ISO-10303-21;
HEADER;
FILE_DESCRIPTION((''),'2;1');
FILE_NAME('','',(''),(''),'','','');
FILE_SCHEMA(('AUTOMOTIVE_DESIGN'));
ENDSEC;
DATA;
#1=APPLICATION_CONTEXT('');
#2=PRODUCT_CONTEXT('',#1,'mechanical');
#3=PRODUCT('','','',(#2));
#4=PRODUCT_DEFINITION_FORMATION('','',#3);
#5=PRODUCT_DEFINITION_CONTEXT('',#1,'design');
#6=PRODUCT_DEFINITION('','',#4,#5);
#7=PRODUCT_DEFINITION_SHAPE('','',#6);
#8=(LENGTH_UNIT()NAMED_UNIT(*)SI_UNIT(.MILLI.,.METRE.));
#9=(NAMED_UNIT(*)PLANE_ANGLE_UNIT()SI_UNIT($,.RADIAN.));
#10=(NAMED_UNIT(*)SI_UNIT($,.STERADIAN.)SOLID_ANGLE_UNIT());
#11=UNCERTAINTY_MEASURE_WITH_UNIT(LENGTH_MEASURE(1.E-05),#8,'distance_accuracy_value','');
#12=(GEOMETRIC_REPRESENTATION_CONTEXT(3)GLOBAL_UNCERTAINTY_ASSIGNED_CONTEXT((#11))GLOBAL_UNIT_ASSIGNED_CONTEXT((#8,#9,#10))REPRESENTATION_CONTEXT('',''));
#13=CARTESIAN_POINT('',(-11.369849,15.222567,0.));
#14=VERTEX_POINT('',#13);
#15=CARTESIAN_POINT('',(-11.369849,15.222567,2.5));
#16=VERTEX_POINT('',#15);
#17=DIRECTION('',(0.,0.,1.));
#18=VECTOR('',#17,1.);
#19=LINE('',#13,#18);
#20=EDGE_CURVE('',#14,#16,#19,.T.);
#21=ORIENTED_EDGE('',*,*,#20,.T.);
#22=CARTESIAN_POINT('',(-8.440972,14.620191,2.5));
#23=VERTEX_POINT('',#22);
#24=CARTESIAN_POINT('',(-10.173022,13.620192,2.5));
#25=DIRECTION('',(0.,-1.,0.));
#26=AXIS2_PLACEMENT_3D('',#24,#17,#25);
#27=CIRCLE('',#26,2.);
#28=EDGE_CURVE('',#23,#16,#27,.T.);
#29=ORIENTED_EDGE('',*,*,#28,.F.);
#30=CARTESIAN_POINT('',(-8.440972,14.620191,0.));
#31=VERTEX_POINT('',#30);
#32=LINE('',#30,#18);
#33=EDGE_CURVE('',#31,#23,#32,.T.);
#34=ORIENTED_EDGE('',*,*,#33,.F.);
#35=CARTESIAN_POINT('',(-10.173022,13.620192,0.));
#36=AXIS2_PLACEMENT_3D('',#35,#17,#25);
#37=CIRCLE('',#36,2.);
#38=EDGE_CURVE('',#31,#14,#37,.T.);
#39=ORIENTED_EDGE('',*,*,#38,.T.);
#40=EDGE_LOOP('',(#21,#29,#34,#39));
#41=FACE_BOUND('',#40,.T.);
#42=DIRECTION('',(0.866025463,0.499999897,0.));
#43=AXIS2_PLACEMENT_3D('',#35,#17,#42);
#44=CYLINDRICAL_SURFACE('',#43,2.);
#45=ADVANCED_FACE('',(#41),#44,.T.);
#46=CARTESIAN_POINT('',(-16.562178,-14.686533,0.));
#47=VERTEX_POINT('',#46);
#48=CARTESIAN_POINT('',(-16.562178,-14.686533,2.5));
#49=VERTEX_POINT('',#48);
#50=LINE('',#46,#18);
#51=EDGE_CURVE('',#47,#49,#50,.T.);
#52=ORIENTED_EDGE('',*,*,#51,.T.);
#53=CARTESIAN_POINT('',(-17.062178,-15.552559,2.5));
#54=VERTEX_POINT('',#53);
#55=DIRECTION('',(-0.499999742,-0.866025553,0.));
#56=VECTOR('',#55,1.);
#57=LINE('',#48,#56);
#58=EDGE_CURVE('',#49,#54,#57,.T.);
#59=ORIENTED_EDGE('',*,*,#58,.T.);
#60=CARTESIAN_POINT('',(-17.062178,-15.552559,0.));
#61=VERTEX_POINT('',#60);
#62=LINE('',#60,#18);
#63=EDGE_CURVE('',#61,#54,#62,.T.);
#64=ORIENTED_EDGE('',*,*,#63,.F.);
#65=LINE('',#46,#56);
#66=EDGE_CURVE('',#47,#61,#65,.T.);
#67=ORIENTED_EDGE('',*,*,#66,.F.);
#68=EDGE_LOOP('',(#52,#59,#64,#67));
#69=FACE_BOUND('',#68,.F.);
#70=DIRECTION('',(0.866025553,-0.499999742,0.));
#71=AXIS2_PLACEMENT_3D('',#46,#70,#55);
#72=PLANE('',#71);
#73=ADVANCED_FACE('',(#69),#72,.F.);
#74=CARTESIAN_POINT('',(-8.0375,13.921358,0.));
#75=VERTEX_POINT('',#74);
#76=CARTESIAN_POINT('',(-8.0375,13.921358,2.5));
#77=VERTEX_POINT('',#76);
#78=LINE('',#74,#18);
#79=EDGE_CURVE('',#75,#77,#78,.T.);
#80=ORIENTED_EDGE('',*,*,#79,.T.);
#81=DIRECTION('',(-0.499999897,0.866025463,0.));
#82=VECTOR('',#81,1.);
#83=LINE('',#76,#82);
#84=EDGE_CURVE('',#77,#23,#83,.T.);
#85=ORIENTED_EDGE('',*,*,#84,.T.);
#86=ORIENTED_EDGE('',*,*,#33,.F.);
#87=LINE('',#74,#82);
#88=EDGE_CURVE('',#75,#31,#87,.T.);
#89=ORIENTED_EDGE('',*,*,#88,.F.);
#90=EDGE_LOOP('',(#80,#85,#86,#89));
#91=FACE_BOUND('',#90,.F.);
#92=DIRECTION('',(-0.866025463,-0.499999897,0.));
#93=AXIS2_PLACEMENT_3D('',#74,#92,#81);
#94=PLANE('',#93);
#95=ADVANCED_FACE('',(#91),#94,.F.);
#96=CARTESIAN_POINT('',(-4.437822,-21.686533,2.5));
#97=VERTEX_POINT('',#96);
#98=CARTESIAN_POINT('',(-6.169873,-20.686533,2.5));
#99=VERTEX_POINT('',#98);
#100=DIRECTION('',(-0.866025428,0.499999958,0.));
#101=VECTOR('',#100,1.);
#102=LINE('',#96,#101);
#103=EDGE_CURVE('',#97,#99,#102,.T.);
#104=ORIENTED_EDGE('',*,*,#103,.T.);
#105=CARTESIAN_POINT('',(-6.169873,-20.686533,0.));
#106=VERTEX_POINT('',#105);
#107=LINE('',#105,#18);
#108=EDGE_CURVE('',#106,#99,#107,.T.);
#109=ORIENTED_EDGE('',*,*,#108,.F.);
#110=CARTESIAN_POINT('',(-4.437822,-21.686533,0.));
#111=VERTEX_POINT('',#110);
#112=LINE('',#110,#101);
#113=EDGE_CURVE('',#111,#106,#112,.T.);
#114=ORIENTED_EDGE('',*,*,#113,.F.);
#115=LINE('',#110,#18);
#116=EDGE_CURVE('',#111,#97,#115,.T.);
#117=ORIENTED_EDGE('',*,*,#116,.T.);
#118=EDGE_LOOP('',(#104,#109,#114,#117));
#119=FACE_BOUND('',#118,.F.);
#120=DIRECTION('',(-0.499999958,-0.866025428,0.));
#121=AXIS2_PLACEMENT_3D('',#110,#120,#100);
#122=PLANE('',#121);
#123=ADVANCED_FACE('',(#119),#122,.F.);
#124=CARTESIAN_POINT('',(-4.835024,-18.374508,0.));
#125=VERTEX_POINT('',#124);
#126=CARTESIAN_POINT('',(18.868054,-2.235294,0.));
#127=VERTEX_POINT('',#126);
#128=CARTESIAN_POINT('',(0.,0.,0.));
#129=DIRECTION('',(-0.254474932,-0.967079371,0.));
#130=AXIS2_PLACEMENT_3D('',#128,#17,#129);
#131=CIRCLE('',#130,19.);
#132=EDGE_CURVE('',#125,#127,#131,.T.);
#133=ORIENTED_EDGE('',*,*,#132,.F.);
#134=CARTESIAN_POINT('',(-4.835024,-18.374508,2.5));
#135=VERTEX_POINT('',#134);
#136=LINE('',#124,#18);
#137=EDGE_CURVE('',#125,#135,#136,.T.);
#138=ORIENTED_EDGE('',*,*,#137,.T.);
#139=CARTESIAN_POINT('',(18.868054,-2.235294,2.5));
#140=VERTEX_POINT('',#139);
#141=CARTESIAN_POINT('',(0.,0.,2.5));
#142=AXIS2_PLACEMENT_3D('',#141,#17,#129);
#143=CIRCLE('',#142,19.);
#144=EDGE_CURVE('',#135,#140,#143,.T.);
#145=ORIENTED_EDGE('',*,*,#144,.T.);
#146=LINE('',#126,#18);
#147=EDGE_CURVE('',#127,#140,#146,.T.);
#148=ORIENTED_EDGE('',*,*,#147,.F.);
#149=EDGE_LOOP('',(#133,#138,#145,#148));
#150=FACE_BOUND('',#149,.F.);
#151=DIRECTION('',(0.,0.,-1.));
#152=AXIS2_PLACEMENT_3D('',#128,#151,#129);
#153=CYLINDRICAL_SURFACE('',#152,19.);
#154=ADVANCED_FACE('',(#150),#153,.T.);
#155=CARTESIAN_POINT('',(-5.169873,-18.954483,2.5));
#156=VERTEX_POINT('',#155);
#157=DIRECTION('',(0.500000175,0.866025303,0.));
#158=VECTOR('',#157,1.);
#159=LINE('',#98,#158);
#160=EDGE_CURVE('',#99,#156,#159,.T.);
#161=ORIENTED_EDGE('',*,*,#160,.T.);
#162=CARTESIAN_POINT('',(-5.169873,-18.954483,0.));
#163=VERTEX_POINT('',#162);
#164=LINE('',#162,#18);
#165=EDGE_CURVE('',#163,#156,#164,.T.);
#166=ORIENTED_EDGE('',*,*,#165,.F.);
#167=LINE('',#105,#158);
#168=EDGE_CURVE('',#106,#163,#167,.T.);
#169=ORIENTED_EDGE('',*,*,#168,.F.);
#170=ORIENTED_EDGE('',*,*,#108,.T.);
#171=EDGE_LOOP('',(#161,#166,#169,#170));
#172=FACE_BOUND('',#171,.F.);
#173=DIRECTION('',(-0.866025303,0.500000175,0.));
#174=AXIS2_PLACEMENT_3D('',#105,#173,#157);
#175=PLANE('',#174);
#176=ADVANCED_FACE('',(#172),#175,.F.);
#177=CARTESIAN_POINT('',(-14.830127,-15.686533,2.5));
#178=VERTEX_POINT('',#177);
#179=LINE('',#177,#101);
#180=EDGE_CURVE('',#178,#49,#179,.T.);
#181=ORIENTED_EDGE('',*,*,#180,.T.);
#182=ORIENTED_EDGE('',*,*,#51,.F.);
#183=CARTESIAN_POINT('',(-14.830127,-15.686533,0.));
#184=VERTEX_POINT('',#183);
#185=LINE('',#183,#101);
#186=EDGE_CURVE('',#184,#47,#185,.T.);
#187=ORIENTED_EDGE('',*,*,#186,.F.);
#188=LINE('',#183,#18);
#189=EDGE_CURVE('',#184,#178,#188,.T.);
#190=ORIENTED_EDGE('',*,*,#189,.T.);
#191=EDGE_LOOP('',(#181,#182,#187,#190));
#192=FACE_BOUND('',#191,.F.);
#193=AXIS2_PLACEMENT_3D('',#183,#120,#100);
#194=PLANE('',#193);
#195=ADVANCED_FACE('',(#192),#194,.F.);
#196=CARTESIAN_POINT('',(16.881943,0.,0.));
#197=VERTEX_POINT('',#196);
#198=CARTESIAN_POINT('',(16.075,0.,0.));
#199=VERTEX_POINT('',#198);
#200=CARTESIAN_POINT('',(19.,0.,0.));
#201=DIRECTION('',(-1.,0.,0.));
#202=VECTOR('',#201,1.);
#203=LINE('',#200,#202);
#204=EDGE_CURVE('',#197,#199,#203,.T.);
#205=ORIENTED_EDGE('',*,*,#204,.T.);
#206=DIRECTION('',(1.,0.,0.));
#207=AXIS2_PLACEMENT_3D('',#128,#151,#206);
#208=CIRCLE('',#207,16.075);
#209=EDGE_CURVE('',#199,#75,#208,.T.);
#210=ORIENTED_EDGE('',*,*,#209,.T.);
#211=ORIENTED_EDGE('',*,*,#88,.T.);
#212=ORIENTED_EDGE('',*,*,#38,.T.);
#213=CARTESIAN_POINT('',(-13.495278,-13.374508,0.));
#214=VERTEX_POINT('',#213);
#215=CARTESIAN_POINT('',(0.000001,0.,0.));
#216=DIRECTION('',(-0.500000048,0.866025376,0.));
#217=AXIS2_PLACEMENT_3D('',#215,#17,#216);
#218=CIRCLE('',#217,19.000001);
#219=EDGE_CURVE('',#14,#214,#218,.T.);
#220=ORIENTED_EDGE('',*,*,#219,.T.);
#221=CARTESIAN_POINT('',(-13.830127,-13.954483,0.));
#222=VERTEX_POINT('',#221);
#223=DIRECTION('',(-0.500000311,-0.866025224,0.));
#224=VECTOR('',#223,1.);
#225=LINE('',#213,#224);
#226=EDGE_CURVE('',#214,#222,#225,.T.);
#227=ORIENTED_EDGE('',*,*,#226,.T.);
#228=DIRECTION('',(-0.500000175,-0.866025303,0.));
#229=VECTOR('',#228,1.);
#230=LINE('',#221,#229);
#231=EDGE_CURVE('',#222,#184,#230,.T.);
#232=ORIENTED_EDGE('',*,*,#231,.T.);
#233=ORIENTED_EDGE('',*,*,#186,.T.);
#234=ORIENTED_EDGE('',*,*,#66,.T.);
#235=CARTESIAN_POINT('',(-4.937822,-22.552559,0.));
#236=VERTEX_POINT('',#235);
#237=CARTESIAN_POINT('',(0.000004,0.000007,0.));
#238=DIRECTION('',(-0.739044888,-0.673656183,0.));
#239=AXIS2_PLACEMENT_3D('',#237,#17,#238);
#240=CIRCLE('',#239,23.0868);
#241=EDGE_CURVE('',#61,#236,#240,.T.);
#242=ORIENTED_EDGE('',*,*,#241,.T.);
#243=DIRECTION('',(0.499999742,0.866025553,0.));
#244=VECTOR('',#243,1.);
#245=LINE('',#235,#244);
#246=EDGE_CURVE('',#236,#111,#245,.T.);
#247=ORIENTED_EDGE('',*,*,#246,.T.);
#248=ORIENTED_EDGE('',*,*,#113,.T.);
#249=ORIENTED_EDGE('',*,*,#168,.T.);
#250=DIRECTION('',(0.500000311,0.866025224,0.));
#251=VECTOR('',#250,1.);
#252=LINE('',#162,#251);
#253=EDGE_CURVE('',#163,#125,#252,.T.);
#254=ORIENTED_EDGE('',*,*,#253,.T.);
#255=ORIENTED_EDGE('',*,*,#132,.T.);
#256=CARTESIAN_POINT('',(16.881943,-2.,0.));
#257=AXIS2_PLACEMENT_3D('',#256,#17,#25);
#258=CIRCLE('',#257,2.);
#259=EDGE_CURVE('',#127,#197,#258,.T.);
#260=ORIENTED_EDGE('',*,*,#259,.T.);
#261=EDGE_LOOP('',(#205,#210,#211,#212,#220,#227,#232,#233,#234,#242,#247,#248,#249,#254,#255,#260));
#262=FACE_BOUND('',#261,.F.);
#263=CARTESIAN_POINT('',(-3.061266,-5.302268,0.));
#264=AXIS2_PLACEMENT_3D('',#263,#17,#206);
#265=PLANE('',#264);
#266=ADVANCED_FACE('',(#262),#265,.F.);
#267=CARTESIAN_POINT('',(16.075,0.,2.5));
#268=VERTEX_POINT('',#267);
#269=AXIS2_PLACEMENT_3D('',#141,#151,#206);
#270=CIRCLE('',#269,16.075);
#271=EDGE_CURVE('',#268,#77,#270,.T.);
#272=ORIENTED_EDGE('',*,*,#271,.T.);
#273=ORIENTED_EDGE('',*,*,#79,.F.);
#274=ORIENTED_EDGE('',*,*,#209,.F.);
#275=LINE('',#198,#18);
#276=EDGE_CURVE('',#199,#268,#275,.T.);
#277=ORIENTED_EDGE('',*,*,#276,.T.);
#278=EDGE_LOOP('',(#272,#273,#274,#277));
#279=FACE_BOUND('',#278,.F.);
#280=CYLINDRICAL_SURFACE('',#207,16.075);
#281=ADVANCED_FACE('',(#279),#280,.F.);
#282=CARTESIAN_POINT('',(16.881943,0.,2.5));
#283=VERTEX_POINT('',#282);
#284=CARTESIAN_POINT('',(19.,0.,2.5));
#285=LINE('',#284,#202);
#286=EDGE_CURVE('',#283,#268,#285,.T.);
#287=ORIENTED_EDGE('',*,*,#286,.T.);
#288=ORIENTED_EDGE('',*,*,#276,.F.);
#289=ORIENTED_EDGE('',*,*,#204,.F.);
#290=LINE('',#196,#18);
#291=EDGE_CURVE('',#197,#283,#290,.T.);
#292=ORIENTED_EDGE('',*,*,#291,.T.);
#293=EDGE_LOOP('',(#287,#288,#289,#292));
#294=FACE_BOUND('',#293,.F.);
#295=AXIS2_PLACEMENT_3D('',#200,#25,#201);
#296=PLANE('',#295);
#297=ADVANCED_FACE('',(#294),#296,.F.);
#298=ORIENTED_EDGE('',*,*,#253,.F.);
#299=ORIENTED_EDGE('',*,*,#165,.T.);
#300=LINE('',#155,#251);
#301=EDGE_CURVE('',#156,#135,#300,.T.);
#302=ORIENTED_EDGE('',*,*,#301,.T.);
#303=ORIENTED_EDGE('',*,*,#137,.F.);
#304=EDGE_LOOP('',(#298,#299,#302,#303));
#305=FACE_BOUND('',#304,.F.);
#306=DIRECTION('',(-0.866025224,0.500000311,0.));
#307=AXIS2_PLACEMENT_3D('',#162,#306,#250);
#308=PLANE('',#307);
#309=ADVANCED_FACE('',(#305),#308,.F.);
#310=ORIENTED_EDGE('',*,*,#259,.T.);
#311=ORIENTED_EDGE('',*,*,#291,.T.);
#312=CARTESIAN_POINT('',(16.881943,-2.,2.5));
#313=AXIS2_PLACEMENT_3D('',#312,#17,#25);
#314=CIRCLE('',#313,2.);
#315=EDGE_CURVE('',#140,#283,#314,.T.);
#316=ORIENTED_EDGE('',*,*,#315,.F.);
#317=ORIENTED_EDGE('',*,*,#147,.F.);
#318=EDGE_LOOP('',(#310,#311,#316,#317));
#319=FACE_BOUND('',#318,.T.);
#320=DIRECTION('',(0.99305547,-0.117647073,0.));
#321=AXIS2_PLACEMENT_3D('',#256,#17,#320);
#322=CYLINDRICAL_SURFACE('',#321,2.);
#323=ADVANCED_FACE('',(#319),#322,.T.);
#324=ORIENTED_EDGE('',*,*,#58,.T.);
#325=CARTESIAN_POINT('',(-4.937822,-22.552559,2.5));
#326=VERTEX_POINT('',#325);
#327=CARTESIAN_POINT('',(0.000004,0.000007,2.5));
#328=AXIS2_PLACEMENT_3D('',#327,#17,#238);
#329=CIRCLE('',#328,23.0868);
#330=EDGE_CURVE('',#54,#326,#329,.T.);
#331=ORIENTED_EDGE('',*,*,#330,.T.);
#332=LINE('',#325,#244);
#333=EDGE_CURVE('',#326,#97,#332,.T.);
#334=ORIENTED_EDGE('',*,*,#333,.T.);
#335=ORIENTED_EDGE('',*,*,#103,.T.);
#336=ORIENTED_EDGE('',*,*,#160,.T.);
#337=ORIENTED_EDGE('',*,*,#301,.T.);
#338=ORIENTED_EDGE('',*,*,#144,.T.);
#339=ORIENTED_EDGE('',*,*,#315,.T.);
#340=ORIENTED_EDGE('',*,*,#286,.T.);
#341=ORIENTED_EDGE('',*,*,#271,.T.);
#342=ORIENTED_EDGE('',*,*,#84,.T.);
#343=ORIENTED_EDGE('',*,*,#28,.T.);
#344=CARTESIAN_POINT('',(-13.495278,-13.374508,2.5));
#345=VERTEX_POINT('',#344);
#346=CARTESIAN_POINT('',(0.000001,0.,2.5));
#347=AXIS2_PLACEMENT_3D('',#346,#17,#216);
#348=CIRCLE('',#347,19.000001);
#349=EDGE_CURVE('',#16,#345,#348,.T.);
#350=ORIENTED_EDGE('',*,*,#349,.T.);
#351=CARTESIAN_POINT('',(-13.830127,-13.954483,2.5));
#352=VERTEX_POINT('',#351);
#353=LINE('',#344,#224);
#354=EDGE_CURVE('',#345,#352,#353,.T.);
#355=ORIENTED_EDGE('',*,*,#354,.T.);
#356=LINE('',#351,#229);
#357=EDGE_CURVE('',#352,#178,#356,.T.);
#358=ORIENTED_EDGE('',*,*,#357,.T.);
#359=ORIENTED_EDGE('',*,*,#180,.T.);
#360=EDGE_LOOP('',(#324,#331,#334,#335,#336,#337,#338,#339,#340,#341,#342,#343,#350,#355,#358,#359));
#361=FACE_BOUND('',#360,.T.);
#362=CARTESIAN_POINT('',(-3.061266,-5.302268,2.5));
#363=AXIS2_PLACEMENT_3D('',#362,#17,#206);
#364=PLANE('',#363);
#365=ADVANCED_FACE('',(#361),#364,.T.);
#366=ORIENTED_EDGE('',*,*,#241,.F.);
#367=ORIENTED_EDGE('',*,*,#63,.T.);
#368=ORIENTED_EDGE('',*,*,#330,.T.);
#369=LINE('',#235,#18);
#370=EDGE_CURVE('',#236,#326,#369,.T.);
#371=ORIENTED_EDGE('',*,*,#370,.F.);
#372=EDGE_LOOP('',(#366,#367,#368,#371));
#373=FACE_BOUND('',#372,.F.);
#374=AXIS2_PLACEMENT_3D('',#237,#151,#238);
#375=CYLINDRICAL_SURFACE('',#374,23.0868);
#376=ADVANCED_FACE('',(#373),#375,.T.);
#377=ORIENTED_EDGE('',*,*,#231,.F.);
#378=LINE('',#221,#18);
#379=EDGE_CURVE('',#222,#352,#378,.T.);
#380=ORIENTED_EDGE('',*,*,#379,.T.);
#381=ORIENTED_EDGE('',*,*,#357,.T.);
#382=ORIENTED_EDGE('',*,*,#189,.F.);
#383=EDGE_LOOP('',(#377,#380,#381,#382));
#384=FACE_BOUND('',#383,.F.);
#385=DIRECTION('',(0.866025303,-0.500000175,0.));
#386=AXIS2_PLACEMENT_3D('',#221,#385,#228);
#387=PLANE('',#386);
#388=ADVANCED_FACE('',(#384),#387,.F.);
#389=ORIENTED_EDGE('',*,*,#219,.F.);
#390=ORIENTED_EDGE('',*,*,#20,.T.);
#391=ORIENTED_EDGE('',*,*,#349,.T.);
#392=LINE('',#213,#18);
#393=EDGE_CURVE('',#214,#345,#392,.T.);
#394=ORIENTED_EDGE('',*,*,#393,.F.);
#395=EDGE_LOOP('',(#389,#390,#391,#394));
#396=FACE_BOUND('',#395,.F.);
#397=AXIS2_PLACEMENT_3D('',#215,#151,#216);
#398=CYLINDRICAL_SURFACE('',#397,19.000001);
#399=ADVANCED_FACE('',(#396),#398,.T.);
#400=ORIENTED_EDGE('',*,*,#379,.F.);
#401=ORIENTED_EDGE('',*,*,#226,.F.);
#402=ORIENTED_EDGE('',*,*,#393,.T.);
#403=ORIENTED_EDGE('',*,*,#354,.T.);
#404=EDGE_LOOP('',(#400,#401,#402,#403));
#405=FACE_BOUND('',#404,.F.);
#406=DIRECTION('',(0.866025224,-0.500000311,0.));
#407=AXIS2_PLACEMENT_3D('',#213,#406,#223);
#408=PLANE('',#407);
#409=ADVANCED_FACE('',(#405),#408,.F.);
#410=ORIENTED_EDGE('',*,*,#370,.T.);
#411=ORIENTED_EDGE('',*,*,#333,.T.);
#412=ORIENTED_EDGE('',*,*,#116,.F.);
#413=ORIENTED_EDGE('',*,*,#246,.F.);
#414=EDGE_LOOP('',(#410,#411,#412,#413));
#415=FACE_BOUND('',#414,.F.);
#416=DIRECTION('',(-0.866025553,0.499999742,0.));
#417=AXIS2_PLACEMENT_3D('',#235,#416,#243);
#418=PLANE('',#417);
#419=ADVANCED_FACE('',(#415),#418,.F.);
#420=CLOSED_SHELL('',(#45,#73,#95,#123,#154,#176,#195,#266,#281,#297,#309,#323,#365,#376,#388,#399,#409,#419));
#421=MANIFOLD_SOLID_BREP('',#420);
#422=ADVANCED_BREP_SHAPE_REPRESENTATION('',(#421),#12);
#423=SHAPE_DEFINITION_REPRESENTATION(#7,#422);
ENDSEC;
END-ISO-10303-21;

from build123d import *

# Parameters (mm, degrees)
F1_DEPTH = 2.5
F2_R     = 2


with BuildPart() as f1:
    # F0 (on Top) → F1 (new body)
    with BuildSketch(Plane.XY):
        with BuildLine():
            Line((-8.0375, 13.921358), (-9.5, 16.454483))
            ThreePointArc((-9.5, 16.454483), (-18.831831, 2.522325), (-13.495278, -13.374508))
            ThreePointArc((-13.495278, -13.374508), (-9.5, -16.454483), (-4.835024, -18.374508))
            ThreePointArc((-4.835024, -18.374508), (11.600313, -15.047682), (19, 0))
            Line((19, 0), (16.075, 0))
            ThreePointArc((16.075, 0), (-8.0375, -13.921358), (-8.0375, 13.921358))
        make_face()
        with BuildLine():
            ThreePointArc((-4.835024, -18.374508), (-9.5, -16.454483), (-13.495278, -13.374508))
            Line((-13.495278, -13.374508), (-13.830127, -13.954483))
            Line((-13.830127, -13.954483), (-14.830127, -15.686533))
            Line((-14.830127, -15.686533), (-16.562178, -14.686533))
            Line((-16.562178, -14.686533), (-17.062178, -15.552559))
            ThreePointArc((-17.062178, -15.552559), (-11.543396, -19.993749), (-4.937822, -22.552559))
            Line((-4.937822, -22.552559), (-4.437822, -21.686533))
            Line((-4.437822, -21.686533), (-6.169873, -20.686533))
            Line((-6.169873, -20.686533), (-5.169873, -18.954483))
            Line((-5.169873, -18.954483), (-4.835024, -18.374508))
        make_face()
    extrude(amount=F1_DEPTH)

    # F2
    f2_edges = [f1.edges().sort_by_distance(p)[0] for p in [
        (19, 0, 1.25),
        (-9.5, 16.454483, 1.25),
    ]]
    fillet(f2_edges, radius=F2_R)


solid = f1.part
